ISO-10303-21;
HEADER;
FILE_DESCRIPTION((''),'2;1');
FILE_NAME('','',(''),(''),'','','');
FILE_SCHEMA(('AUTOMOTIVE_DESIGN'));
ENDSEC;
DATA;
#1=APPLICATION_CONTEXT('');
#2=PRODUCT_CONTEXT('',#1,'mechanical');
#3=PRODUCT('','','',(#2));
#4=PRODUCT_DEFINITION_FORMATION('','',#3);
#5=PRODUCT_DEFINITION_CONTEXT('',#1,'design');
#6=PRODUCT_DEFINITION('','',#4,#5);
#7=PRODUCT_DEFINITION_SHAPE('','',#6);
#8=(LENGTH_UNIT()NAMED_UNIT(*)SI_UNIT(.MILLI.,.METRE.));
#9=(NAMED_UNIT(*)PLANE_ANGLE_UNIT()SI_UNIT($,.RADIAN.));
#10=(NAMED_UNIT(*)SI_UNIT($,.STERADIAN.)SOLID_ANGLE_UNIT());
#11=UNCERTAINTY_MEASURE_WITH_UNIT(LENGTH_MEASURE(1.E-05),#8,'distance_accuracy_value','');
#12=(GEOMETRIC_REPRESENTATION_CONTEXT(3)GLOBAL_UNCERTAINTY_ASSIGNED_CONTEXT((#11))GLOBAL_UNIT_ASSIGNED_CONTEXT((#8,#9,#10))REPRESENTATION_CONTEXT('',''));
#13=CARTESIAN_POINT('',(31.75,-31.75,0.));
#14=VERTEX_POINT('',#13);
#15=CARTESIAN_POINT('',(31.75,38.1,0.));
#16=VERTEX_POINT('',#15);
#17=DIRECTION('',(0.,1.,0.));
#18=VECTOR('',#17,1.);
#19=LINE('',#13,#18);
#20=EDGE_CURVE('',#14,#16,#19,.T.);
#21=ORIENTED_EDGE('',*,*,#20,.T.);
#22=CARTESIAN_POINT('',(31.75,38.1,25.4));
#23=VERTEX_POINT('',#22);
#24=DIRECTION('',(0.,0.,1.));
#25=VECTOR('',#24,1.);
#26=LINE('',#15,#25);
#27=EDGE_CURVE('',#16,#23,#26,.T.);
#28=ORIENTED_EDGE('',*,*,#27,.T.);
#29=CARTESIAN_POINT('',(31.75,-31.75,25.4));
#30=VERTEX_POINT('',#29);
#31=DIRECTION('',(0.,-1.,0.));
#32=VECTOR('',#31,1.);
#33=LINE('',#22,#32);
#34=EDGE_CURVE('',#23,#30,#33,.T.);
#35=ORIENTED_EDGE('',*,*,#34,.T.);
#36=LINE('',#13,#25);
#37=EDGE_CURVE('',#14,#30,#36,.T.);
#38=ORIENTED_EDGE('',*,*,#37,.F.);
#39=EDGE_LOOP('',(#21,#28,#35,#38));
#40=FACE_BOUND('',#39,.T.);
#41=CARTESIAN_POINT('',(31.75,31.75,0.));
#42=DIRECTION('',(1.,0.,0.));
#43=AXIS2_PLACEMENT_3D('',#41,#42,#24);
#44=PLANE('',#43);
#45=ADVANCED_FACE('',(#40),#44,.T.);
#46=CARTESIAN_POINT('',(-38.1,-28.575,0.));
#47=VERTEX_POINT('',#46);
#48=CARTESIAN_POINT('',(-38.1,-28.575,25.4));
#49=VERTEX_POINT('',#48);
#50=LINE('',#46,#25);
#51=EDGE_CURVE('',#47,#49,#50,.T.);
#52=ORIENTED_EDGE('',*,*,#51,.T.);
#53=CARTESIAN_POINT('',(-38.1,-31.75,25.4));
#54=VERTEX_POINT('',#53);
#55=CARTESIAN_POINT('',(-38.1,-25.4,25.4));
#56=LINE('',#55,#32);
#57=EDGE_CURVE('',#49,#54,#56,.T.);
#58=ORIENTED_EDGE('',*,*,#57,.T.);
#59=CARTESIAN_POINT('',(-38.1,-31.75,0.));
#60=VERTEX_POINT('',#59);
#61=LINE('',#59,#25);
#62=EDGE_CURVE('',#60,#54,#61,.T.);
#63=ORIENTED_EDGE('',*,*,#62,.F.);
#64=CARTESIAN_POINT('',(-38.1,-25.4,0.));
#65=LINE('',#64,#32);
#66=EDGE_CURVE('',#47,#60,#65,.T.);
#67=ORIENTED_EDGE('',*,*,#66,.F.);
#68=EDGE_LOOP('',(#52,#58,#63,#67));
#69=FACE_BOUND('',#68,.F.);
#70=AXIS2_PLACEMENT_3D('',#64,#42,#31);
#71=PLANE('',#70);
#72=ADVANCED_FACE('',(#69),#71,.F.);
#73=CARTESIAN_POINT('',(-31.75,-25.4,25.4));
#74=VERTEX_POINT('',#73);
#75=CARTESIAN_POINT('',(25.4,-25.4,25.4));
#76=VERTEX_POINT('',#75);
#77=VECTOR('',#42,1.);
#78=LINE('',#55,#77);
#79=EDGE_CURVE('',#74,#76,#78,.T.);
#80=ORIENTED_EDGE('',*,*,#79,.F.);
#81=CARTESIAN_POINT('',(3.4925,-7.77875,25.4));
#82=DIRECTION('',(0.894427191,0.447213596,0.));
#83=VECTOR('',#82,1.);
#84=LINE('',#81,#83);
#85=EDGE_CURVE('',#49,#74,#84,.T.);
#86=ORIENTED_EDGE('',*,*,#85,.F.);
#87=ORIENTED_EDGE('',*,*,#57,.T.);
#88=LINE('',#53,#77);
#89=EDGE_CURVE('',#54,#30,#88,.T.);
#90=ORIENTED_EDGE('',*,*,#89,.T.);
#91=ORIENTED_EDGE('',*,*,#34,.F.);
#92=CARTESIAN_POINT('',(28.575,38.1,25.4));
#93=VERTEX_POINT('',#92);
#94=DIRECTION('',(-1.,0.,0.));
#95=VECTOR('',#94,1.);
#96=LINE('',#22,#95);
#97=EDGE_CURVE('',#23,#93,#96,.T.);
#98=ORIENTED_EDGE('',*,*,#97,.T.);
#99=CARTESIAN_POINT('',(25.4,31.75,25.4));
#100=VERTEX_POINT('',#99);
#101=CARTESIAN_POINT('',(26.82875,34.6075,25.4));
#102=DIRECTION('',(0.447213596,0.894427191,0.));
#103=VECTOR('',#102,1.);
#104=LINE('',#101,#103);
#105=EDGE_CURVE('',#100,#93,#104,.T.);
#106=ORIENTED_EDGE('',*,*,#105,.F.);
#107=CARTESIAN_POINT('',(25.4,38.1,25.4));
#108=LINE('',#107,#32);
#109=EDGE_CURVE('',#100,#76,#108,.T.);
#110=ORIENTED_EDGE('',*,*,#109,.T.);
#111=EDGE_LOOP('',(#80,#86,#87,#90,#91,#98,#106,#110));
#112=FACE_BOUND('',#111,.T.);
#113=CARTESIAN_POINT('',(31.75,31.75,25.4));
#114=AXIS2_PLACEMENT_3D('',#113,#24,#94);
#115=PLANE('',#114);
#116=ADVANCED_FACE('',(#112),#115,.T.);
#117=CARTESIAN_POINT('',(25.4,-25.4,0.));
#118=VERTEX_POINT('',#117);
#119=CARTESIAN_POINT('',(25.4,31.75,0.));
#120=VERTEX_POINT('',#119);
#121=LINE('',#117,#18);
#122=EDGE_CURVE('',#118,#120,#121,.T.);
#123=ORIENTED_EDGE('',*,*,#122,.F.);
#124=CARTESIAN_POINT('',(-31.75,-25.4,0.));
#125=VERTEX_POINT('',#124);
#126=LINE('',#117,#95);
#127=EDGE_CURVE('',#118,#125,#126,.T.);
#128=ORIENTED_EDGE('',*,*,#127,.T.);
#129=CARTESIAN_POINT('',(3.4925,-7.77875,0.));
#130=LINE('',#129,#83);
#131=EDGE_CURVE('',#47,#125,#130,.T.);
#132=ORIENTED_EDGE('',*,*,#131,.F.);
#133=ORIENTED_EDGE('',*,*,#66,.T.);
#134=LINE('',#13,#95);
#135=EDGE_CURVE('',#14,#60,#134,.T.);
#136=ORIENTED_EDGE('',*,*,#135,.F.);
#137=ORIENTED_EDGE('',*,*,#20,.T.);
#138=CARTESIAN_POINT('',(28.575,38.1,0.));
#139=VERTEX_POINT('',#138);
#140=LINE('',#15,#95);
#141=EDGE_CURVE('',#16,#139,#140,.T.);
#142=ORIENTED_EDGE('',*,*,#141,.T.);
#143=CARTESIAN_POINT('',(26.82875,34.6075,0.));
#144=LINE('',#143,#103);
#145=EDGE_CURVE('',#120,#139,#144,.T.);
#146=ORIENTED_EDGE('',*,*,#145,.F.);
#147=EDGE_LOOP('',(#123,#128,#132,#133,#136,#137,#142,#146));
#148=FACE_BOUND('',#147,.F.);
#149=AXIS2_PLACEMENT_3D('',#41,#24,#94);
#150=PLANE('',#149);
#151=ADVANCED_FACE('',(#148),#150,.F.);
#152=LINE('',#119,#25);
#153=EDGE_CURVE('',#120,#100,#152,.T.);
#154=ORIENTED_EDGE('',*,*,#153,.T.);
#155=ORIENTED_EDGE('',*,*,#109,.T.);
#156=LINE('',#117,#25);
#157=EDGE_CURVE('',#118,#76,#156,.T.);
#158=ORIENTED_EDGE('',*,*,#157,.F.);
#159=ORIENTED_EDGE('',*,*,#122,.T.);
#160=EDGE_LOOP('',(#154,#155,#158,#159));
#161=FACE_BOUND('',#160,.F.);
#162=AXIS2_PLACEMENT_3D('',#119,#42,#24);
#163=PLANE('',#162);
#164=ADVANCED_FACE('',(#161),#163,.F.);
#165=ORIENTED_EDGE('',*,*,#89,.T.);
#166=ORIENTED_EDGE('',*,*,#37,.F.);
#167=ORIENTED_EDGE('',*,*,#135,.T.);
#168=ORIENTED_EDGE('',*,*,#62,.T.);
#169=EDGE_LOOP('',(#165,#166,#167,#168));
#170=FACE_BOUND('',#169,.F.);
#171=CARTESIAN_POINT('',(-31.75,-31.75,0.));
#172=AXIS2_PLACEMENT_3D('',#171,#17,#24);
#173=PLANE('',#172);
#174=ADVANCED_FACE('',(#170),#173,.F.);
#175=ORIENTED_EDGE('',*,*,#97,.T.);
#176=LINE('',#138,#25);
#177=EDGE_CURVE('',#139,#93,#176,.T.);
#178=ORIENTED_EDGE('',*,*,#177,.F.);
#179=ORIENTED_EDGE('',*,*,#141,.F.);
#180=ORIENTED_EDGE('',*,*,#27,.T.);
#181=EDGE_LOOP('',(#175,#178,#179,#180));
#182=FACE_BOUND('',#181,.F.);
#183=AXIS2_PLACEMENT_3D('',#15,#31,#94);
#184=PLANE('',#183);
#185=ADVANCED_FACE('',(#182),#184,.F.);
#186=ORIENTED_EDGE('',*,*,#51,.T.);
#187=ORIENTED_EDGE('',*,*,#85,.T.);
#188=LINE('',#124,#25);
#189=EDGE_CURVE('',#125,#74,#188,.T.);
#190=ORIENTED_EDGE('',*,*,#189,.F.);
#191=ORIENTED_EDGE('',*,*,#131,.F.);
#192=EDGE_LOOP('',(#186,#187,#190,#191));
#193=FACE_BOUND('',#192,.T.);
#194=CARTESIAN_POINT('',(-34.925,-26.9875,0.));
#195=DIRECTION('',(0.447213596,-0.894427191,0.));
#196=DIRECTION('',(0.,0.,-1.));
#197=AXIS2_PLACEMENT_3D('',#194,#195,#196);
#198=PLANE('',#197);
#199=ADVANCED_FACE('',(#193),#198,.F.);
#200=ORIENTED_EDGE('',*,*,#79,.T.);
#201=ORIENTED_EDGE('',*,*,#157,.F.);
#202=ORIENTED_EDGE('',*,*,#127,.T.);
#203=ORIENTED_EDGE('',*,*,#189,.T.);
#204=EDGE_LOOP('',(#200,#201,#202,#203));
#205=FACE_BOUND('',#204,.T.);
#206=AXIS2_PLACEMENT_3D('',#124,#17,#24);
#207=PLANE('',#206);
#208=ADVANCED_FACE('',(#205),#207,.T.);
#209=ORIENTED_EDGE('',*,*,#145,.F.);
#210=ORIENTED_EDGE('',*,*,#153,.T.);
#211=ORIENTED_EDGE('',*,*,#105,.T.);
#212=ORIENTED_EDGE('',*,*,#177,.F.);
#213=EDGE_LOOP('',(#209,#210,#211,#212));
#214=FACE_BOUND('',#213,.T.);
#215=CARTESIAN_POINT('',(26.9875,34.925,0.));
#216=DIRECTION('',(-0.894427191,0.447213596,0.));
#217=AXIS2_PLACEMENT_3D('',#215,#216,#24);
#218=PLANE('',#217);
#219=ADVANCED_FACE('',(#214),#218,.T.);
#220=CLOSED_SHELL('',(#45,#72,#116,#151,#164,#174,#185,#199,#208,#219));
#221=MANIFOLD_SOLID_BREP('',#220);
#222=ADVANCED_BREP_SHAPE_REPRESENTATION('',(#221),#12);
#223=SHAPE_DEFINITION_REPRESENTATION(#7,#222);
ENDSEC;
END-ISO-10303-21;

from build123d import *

# Parameters (mm, degrees)
F1_DEPTH = 25.4
F2_DEPTH = 6.35
F3_DEPTH = 6.35
F4_SIZE2 = 6.35
F4_SIZE  = 3.175
F5_SIZE2 = 3.175
F5_SIZE  = 6.35


with BuildPart() as f1:
    # F0 (on Top) → F1 (new body)
    with BuildSketch(Plane.XY):
        Polygon((25.4, 25.4), (25.4, -25.4), (-25.4, -25.4), (-31.75, -25.4), (-31.75, -31.75), (31.75, -31.75), (31.75, 31.75), (25.4, 31.75), align=None)
    extrude(amount=F1_DEPTH)

    # F2 (add): a face of the model
    f2_faces = [f1.faces().sort_by_distance(p)[0] for p in [
        (-31.75, -28.575, 12.7),
    ]]
    extrude(f2_faces, amount=F2_DEPTH)

    # F3 (add): a face of the model
    f3_faces = [f1.faces().sort_by_distance(p)[0] for p in [
        (28.575, 31.75, 12.7),
    ]]
    extrude(f3_faces, amount=F3_DEPTH)

    # F4
    f4_edges = [f1.edges().sort_by_distance(p)[0] for p in [
        (-38.1, -25.4, 12.7),
    ]]
    chamfer(f4_edges, length=F4_SIZE, length2=F4_SIZE2)

    # F5
    f5_edges = [f1.edges().sort_by_distance(p)[0] for p in [
        (25.4, 38.1, 12.7),
    ]]
    chamfer(f5_edges, length=F5_SIZE, length2=F5_SIZE2)


solid = f1.part
